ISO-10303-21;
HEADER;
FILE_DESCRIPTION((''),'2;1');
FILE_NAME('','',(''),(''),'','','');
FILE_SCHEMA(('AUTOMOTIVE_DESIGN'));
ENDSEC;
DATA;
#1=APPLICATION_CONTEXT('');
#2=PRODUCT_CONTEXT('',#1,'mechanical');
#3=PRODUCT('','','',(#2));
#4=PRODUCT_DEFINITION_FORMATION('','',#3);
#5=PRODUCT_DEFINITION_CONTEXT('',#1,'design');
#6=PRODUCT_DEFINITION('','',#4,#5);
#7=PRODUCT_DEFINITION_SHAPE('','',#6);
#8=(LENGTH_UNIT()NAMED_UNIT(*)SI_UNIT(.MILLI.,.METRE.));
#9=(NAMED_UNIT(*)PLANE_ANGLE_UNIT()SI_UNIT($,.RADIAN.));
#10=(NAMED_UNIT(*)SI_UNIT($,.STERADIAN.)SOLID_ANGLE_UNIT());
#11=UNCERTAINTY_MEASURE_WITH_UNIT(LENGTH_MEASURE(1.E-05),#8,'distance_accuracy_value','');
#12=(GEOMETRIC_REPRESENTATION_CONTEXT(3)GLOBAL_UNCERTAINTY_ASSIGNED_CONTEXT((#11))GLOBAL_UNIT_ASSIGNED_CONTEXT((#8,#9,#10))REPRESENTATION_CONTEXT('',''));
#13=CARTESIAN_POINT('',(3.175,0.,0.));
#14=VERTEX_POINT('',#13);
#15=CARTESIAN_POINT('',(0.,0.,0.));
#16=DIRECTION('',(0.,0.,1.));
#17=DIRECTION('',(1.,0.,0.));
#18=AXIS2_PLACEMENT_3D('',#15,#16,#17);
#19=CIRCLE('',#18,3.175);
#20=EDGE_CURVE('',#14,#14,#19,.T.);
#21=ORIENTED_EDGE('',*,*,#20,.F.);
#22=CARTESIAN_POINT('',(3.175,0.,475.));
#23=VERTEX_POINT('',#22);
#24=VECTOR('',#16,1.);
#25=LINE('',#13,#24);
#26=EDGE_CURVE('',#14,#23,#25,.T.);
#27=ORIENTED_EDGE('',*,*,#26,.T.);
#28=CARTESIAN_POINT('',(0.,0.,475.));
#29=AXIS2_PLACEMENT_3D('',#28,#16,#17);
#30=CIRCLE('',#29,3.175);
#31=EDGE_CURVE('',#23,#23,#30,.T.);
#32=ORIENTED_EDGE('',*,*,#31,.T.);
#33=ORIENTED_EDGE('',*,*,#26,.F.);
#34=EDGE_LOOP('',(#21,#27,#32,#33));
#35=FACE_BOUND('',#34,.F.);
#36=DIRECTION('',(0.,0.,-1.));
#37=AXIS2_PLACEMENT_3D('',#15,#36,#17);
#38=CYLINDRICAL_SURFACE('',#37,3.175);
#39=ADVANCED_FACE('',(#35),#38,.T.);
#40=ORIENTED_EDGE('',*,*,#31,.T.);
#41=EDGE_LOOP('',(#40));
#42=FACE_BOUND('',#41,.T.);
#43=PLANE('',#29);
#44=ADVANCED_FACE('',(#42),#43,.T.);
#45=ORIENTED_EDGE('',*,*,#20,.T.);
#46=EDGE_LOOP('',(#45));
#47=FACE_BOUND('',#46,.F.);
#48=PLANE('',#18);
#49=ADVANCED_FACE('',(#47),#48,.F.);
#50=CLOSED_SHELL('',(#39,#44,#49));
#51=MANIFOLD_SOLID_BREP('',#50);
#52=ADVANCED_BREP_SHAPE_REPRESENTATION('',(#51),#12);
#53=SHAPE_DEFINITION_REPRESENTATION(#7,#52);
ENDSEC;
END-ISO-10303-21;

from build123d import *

# Parameters (mm, degrees)
SKETCH1_R           = 3.175
BOSS_EXTRUDE1_DEPTH = 475


with BuildPart() as part:
    # Sketch1 → Boss-Extrude1 (new body)
    with BuildSketch(Plane.XY):
        Circle(SKETCH1_R)
    extrude(amount=BOSS_EXTRUDE1_DEPTH)


solid = part.part
